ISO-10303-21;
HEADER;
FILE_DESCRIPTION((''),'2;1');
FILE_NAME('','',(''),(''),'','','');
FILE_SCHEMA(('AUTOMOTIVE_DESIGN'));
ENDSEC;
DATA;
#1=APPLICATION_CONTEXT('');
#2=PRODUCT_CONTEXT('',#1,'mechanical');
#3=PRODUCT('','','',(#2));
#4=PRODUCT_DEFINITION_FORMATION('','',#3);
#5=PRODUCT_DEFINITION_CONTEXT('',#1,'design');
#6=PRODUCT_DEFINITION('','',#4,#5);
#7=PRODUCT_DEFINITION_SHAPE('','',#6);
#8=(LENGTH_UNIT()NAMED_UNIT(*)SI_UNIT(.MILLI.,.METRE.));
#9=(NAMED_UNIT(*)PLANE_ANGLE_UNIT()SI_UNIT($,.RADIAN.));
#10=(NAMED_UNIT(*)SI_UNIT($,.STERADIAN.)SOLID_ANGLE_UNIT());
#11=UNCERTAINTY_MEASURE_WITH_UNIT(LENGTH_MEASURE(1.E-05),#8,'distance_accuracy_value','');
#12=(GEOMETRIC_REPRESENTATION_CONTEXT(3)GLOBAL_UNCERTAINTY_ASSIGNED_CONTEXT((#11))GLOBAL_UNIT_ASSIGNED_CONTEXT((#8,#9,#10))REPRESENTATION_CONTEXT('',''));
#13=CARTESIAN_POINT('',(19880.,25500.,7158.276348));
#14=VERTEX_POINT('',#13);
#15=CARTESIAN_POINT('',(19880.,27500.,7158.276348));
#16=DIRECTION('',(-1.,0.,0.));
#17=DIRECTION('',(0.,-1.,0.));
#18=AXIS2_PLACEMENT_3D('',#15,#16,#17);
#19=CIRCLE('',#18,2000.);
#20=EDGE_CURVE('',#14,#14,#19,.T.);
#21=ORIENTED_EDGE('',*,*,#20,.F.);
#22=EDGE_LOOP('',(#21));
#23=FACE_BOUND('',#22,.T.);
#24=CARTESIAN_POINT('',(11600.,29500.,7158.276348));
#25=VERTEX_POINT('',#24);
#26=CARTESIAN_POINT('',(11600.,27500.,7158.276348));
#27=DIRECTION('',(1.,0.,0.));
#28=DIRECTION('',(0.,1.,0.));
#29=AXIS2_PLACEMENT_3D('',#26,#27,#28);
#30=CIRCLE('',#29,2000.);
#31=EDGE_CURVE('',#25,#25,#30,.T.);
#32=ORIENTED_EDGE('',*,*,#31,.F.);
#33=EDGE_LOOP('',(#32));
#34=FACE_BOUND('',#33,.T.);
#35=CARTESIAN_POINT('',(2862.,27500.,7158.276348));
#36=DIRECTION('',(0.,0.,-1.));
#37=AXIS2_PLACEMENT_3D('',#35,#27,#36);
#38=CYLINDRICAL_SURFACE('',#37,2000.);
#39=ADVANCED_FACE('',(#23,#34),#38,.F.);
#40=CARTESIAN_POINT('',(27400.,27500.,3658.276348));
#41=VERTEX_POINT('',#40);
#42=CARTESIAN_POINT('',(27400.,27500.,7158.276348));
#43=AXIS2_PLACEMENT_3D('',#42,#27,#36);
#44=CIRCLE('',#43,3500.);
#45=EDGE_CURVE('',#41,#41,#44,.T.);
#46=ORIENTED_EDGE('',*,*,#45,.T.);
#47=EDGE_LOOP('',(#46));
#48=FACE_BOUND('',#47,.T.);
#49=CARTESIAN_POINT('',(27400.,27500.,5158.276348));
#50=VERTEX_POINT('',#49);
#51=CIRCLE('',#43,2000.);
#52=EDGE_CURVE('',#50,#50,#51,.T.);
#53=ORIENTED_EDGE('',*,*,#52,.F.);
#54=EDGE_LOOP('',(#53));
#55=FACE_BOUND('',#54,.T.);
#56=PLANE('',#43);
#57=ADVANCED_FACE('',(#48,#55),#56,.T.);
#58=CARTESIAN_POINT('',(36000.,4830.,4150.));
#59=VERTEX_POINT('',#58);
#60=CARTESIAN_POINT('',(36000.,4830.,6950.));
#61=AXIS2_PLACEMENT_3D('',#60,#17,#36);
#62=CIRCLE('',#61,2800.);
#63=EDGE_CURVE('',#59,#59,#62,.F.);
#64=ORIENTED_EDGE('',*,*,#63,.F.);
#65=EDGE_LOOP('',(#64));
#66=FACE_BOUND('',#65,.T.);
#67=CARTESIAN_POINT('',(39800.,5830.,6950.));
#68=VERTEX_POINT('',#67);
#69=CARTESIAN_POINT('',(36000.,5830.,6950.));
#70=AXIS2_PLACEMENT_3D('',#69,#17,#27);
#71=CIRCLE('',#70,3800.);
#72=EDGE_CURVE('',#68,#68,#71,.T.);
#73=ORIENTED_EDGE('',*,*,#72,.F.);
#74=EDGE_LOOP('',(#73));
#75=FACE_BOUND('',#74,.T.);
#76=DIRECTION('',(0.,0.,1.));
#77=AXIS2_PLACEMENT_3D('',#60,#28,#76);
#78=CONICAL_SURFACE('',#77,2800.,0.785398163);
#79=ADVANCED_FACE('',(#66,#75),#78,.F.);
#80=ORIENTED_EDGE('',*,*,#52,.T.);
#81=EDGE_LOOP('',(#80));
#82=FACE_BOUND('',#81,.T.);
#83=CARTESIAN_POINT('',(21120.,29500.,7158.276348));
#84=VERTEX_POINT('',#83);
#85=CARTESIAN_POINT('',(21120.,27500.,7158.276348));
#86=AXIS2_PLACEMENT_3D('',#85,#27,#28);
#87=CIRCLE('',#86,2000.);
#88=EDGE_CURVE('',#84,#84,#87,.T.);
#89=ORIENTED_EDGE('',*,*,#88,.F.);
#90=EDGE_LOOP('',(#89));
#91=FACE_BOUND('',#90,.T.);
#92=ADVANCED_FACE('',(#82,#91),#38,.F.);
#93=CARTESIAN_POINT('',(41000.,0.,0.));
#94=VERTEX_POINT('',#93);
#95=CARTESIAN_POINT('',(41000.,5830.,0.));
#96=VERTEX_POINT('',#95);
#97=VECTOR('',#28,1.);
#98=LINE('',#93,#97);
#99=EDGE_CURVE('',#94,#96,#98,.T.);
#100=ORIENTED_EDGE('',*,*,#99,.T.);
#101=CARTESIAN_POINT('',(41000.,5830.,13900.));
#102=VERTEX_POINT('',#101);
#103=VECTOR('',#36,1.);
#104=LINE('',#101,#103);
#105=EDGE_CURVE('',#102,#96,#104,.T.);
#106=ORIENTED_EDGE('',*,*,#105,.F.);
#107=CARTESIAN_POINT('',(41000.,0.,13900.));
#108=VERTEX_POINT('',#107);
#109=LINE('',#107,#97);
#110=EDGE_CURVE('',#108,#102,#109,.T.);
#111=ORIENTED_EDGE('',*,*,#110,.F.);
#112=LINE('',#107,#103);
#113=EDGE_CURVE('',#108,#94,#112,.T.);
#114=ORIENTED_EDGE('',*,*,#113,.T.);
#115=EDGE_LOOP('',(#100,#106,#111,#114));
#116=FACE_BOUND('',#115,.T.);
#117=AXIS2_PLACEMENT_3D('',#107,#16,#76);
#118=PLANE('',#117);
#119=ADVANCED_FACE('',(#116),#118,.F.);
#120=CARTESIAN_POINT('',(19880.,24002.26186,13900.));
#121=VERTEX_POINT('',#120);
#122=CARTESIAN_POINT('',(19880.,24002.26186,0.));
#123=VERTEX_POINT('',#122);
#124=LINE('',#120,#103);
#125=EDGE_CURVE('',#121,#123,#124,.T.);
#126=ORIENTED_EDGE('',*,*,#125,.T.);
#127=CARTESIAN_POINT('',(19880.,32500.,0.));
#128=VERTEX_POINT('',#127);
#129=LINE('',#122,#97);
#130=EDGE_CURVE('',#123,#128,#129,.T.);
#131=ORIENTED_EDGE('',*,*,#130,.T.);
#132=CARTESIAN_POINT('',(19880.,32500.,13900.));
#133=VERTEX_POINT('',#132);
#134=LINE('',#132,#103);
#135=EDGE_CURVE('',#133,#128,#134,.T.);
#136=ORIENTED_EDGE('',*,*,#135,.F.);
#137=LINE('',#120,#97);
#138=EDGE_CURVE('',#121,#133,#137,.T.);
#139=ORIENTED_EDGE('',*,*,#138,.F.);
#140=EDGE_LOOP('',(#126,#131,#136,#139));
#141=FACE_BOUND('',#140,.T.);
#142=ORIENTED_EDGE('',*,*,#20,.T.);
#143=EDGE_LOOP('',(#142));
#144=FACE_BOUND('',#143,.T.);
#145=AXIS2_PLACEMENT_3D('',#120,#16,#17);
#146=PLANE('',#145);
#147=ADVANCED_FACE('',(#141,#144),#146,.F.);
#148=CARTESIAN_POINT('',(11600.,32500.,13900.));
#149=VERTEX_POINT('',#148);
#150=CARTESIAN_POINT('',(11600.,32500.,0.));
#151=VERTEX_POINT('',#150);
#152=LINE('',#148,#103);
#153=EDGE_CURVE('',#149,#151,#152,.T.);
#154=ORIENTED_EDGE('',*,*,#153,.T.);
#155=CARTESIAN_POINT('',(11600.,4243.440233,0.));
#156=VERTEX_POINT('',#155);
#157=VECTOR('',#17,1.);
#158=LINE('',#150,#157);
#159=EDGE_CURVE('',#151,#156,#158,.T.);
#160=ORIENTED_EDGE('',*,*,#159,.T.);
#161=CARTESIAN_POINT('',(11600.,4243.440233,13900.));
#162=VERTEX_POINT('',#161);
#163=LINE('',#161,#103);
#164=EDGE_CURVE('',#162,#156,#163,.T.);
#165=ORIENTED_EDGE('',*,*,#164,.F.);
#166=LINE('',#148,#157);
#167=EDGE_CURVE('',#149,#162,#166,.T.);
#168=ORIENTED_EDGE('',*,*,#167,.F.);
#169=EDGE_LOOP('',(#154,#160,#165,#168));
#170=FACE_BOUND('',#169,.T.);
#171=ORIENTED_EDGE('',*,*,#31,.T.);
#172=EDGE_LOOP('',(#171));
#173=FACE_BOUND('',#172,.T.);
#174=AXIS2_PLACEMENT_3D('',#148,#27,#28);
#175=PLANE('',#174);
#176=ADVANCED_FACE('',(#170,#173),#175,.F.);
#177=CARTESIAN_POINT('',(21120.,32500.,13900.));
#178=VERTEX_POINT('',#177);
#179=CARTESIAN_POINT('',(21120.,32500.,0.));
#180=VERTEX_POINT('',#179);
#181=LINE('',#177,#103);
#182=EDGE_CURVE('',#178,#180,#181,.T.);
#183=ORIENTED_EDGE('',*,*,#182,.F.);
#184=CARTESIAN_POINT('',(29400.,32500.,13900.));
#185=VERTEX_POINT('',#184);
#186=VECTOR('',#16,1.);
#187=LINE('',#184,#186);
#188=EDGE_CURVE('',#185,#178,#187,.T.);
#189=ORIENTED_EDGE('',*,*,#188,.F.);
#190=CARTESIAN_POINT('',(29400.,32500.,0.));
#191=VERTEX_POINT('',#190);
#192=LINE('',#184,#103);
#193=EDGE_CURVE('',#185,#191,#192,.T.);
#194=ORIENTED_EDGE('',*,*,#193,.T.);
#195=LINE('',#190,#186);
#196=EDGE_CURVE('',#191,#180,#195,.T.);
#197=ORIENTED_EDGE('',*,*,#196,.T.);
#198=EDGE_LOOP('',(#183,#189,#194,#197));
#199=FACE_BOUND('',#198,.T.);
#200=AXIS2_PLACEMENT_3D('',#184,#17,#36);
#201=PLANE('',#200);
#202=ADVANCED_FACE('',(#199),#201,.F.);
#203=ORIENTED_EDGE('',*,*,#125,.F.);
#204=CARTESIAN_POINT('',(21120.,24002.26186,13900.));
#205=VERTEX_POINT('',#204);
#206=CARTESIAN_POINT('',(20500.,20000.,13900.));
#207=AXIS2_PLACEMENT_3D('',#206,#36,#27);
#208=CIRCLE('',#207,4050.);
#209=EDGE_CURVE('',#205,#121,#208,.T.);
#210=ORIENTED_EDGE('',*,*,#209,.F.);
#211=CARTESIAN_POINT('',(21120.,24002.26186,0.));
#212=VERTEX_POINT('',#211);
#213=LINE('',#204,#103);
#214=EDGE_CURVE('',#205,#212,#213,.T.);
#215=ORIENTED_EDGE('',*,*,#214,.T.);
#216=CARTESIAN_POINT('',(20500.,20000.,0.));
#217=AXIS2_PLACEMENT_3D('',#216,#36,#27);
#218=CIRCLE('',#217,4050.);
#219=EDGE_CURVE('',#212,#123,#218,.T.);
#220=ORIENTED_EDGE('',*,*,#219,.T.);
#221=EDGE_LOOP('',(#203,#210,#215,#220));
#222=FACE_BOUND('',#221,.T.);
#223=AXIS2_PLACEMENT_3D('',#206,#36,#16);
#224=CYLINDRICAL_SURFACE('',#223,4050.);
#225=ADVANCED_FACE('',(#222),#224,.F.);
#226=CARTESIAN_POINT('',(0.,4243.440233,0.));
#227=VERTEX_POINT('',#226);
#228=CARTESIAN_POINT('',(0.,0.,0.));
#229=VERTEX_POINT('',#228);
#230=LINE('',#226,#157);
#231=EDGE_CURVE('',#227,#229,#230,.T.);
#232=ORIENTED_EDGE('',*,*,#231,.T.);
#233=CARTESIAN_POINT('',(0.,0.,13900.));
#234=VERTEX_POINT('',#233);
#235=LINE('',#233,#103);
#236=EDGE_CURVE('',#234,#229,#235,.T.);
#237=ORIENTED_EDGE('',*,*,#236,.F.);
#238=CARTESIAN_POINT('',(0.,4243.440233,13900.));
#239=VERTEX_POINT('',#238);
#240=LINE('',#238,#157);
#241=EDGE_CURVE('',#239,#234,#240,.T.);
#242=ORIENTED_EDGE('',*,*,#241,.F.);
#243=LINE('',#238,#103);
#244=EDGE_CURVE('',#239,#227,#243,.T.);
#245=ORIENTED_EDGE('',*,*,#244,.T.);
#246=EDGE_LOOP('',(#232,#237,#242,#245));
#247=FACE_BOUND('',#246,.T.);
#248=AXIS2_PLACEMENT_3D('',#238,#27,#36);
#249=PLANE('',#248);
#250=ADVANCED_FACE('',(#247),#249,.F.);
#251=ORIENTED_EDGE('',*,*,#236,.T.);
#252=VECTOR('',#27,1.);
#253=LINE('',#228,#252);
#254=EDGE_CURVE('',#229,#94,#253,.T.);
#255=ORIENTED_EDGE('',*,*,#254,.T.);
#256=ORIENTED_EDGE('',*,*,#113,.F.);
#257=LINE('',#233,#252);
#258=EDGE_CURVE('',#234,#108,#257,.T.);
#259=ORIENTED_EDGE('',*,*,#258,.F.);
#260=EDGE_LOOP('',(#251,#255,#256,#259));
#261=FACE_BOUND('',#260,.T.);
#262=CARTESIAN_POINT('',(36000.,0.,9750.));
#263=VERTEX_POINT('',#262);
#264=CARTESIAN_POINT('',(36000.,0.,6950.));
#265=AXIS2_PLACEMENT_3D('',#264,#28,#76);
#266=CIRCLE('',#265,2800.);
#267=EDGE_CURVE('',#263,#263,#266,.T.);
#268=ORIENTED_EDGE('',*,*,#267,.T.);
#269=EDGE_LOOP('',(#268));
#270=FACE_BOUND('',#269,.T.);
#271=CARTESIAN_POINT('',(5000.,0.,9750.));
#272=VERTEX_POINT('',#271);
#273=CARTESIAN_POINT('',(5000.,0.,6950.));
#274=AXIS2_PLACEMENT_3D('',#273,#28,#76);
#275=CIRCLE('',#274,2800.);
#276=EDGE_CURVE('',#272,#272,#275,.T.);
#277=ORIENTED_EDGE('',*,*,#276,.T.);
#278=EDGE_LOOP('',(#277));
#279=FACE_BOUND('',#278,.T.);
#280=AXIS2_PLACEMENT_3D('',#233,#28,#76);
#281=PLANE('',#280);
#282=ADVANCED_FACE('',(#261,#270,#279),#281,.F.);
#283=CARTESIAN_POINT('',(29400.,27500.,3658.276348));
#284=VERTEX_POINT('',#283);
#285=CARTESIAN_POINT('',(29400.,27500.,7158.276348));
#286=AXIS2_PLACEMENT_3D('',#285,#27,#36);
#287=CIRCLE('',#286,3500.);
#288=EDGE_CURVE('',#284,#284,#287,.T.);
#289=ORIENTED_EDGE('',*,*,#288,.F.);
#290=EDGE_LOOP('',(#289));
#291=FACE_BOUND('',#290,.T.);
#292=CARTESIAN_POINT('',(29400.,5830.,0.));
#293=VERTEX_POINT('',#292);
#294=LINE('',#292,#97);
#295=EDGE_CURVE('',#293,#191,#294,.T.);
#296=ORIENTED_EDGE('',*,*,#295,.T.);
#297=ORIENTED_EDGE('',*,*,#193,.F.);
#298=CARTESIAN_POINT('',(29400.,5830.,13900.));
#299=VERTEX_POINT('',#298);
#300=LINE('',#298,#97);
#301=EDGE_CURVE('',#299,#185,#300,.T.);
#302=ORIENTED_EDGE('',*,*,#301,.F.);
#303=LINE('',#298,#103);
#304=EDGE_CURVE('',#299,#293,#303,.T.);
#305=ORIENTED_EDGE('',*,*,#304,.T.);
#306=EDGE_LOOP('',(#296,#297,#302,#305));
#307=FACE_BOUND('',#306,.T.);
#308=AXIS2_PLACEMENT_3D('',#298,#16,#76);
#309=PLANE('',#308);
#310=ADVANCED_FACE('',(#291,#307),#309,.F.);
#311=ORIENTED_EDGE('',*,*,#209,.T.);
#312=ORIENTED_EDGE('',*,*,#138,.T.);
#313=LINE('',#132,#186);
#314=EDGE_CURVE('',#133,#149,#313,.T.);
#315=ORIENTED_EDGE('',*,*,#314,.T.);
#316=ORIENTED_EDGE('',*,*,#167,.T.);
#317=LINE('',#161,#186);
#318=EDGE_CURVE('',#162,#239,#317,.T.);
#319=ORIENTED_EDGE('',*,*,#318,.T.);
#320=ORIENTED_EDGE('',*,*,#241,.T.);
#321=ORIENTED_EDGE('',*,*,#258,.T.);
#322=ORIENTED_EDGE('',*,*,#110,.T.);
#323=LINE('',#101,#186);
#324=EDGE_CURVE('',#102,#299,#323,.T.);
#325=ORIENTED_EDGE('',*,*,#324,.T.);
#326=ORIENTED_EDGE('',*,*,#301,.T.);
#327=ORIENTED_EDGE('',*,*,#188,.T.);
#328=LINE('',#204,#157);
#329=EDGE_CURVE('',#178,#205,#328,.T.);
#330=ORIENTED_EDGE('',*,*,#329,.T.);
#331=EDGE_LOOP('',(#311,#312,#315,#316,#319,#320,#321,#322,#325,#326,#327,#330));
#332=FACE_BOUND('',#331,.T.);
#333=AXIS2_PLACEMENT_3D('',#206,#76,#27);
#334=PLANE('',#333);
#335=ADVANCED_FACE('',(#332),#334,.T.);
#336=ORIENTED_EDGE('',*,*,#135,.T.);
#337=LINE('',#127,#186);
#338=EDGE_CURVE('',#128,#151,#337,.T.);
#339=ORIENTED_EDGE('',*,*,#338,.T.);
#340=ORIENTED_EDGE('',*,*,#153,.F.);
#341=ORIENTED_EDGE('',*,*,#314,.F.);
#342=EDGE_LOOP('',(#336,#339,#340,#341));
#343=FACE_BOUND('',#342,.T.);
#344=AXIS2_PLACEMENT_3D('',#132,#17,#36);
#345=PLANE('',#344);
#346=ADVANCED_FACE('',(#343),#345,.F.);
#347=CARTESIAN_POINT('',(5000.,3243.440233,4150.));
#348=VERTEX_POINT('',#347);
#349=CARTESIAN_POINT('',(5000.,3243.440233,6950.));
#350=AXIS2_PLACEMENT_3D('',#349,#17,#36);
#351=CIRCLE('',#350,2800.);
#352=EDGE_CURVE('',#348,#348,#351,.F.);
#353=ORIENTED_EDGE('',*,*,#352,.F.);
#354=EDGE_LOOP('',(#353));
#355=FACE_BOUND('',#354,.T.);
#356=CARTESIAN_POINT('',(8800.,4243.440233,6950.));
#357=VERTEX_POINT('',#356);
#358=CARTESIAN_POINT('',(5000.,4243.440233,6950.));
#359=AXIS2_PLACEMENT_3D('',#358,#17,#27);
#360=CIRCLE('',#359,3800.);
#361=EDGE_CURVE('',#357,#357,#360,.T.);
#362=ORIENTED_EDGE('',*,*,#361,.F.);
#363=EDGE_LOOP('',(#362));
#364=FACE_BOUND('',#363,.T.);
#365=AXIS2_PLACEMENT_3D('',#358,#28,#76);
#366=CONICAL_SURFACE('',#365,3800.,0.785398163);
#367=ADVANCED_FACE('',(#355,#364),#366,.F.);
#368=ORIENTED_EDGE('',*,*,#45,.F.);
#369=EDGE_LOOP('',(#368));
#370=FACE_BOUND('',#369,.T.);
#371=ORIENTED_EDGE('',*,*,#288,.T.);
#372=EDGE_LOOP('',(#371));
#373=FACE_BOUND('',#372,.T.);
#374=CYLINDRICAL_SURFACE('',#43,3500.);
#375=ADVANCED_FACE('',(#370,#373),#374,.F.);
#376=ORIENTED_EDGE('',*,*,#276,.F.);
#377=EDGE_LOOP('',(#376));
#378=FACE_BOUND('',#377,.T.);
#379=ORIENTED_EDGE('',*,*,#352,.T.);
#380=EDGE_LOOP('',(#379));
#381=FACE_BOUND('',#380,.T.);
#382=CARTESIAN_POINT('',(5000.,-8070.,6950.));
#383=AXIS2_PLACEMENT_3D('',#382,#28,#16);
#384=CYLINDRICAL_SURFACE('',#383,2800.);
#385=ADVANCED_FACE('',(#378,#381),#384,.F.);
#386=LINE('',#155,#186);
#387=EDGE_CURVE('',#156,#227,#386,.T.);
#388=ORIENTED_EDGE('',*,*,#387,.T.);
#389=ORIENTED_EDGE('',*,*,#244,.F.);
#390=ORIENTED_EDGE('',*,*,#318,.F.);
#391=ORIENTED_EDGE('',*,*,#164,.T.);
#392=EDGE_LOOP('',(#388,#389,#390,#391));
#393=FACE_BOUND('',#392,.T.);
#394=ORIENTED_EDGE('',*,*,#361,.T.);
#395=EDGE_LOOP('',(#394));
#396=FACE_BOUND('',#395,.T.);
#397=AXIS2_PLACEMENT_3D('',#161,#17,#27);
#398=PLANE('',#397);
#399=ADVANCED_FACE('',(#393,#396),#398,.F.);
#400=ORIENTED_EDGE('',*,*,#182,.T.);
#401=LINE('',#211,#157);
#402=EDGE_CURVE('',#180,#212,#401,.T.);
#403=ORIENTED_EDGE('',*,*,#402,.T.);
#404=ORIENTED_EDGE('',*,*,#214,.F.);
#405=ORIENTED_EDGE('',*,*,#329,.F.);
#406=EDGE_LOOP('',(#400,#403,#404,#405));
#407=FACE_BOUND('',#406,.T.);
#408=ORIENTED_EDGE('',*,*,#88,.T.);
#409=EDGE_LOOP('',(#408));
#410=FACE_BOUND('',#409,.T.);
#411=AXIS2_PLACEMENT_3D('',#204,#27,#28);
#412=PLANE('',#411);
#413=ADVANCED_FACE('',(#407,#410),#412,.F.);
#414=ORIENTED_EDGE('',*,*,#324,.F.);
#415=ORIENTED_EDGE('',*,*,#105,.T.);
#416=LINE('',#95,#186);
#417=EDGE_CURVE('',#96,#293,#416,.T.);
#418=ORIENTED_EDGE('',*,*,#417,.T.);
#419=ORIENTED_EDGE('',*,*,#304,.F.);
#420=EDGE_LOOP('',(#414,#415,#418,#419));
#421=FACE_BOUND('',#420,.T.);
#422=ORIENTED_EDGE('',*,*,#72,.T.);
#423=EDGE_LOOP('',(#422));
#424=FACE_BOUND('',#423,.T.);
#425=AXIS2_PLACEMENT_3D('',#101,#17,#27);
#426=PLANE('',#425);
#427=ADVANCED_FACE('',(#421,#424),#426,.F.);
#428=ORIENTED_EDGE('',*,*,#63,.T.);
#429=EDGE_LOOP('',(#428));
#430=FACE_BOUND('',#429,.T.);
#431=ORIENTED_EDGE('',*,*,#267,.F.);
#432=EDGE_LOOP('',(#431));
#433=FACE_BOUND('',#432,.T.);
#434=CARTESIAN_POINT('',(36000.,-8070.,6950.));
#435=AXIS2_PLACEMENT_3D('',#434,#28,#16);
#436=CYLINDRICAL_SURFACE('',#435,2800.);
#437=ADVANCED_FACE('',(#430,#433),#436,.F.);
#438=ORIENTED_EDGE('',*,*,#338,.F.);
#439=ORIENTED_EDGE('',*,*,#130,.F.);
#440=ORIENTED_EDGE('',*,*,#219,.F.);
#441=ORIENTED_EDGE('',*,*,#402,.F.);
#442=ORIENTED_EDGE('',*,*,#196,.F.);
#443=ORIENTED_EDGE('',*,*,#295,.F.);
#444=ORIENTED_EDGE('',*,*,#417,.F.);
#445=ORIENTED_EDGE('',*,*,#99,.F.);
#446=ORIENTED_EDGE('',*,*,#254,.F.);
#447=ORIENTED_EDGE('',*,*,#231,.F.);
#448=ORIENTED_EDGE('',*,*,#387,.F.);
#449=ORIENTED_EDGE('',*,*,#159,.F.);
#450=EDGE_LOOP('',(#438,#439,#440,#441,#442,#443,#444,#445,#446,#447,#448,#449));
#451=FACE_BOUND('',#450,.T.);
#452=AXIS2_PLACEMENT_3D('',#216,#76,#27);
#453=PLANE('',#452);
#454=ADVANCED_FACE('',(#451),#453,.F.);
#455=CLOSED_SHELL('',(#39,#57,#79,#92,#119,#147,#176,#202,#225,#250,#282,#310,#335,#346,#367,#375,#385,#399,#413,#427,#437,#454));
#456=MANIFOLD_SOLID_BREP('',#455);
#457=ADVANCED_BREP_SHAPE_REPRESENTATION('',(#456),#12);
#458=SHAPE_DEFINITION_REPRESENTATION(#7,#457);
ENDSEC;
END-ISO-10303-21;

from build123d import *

# Parameters (mm, degrees)
EXTRUDE_1_DEPTH     = 13900
SKETCH_2_R          = 2800
CUT_EXTRUDE_1_DEPTH = 13900
CHAMFER_1_SIZE      = 1000
SKETCH_3_R          = 3500
CUT_EXTRUDE_3_DEPTH = 2000
SKETCH_10_R         = 2000
CUT_EXTRUDE_4_DEPTH = 24538


with BuildPart() as part:
    # 草圖1 → 填料-伸長1 (new body)
    with BuildSketch(Plane.XY):
        with BuildLine():
            Line((0, 0), (41000, 0))
            Line((41000, 0), (41000, 5830))
            Line((41000, 5830), (29400, 5830))
            Line((29400, 5830), (29400, 32500))
            Line((29400, 32500), (21120, 32500))
            Line((21120, 32500), (21120, 24002.261860498))
            ThreePointArc((21120, 24002.261860498), (20500, 15950), (19880, 24002.261860498))
            Line((19880, 24002.261860498), (19880, 32500))
            Line((19880, 32500), (11600, 32500))
            Line((11600, 32500), (11600, 4243.440233236))
            Line((11600, 4243.440233236), (0, 4243.440233236))
            Line((0, 4243.440233236), (0, 0))
        make_face()
    extrude(amount=EXTRUDE_1_DEPTH)

    # 草圖2 → 除料-伸長1 (cut)
    with BuildSketch(Plane(origin=(0, 5830, 0), x_dir=(1, 0, 0), z_dir=(0, 1, 0))):
        with Locations(Location((36000, -6950, 0), (0, 0, 180))):
            Circle(SKETCH_2_R)
        with Locations(Location((5000, -6950, 0), (0, 0, 270))):
            Circle(SKETCH_2_R)
    extrude(amount=-CUT_EXTRUDE_1_DEPTH, mode=Mode.SUBTRACT)

    # 導角1
    chamfer_1_edges = [part.edges().sort_by_distance(p)[0] for p in [
        (38800, 5830, 6950),
        (5000, 4243.440233236, 4150),
    ]]
    chamfer(chamfer_1_edges, length=CHAMFER_1_SIZE)

    # 草圖3 → 除料-伸長3 (cut)
    with BuildSketch(Plane(origin=(29400, 0, 0), x_dir=(0, 0, -1), z_dir=(1, 0, 0))):
        with Locations((-7158.276347715, 27500)):
            Circle(SKETCH_3_R)
    extrude(amount=-CUT_EXTRUDE_3_DEPTH, mode=Mode.SUBTRACT)

    # 草圖10 → 除料-伸長4 (cut)
    with BuildSketch(Plane(origin=(27400, 0, 0), x_dir=(0, 0, -1), z_dir=(1, 0, 0))):
        with Locations((-7158.276347715, 27500)):
            Circle(SKETCH_10_R)
    extrude(amount=-CUT_EXTRUDE_4_DEPTH, mode=Mode.SUBTRACT)


solid = part.part
